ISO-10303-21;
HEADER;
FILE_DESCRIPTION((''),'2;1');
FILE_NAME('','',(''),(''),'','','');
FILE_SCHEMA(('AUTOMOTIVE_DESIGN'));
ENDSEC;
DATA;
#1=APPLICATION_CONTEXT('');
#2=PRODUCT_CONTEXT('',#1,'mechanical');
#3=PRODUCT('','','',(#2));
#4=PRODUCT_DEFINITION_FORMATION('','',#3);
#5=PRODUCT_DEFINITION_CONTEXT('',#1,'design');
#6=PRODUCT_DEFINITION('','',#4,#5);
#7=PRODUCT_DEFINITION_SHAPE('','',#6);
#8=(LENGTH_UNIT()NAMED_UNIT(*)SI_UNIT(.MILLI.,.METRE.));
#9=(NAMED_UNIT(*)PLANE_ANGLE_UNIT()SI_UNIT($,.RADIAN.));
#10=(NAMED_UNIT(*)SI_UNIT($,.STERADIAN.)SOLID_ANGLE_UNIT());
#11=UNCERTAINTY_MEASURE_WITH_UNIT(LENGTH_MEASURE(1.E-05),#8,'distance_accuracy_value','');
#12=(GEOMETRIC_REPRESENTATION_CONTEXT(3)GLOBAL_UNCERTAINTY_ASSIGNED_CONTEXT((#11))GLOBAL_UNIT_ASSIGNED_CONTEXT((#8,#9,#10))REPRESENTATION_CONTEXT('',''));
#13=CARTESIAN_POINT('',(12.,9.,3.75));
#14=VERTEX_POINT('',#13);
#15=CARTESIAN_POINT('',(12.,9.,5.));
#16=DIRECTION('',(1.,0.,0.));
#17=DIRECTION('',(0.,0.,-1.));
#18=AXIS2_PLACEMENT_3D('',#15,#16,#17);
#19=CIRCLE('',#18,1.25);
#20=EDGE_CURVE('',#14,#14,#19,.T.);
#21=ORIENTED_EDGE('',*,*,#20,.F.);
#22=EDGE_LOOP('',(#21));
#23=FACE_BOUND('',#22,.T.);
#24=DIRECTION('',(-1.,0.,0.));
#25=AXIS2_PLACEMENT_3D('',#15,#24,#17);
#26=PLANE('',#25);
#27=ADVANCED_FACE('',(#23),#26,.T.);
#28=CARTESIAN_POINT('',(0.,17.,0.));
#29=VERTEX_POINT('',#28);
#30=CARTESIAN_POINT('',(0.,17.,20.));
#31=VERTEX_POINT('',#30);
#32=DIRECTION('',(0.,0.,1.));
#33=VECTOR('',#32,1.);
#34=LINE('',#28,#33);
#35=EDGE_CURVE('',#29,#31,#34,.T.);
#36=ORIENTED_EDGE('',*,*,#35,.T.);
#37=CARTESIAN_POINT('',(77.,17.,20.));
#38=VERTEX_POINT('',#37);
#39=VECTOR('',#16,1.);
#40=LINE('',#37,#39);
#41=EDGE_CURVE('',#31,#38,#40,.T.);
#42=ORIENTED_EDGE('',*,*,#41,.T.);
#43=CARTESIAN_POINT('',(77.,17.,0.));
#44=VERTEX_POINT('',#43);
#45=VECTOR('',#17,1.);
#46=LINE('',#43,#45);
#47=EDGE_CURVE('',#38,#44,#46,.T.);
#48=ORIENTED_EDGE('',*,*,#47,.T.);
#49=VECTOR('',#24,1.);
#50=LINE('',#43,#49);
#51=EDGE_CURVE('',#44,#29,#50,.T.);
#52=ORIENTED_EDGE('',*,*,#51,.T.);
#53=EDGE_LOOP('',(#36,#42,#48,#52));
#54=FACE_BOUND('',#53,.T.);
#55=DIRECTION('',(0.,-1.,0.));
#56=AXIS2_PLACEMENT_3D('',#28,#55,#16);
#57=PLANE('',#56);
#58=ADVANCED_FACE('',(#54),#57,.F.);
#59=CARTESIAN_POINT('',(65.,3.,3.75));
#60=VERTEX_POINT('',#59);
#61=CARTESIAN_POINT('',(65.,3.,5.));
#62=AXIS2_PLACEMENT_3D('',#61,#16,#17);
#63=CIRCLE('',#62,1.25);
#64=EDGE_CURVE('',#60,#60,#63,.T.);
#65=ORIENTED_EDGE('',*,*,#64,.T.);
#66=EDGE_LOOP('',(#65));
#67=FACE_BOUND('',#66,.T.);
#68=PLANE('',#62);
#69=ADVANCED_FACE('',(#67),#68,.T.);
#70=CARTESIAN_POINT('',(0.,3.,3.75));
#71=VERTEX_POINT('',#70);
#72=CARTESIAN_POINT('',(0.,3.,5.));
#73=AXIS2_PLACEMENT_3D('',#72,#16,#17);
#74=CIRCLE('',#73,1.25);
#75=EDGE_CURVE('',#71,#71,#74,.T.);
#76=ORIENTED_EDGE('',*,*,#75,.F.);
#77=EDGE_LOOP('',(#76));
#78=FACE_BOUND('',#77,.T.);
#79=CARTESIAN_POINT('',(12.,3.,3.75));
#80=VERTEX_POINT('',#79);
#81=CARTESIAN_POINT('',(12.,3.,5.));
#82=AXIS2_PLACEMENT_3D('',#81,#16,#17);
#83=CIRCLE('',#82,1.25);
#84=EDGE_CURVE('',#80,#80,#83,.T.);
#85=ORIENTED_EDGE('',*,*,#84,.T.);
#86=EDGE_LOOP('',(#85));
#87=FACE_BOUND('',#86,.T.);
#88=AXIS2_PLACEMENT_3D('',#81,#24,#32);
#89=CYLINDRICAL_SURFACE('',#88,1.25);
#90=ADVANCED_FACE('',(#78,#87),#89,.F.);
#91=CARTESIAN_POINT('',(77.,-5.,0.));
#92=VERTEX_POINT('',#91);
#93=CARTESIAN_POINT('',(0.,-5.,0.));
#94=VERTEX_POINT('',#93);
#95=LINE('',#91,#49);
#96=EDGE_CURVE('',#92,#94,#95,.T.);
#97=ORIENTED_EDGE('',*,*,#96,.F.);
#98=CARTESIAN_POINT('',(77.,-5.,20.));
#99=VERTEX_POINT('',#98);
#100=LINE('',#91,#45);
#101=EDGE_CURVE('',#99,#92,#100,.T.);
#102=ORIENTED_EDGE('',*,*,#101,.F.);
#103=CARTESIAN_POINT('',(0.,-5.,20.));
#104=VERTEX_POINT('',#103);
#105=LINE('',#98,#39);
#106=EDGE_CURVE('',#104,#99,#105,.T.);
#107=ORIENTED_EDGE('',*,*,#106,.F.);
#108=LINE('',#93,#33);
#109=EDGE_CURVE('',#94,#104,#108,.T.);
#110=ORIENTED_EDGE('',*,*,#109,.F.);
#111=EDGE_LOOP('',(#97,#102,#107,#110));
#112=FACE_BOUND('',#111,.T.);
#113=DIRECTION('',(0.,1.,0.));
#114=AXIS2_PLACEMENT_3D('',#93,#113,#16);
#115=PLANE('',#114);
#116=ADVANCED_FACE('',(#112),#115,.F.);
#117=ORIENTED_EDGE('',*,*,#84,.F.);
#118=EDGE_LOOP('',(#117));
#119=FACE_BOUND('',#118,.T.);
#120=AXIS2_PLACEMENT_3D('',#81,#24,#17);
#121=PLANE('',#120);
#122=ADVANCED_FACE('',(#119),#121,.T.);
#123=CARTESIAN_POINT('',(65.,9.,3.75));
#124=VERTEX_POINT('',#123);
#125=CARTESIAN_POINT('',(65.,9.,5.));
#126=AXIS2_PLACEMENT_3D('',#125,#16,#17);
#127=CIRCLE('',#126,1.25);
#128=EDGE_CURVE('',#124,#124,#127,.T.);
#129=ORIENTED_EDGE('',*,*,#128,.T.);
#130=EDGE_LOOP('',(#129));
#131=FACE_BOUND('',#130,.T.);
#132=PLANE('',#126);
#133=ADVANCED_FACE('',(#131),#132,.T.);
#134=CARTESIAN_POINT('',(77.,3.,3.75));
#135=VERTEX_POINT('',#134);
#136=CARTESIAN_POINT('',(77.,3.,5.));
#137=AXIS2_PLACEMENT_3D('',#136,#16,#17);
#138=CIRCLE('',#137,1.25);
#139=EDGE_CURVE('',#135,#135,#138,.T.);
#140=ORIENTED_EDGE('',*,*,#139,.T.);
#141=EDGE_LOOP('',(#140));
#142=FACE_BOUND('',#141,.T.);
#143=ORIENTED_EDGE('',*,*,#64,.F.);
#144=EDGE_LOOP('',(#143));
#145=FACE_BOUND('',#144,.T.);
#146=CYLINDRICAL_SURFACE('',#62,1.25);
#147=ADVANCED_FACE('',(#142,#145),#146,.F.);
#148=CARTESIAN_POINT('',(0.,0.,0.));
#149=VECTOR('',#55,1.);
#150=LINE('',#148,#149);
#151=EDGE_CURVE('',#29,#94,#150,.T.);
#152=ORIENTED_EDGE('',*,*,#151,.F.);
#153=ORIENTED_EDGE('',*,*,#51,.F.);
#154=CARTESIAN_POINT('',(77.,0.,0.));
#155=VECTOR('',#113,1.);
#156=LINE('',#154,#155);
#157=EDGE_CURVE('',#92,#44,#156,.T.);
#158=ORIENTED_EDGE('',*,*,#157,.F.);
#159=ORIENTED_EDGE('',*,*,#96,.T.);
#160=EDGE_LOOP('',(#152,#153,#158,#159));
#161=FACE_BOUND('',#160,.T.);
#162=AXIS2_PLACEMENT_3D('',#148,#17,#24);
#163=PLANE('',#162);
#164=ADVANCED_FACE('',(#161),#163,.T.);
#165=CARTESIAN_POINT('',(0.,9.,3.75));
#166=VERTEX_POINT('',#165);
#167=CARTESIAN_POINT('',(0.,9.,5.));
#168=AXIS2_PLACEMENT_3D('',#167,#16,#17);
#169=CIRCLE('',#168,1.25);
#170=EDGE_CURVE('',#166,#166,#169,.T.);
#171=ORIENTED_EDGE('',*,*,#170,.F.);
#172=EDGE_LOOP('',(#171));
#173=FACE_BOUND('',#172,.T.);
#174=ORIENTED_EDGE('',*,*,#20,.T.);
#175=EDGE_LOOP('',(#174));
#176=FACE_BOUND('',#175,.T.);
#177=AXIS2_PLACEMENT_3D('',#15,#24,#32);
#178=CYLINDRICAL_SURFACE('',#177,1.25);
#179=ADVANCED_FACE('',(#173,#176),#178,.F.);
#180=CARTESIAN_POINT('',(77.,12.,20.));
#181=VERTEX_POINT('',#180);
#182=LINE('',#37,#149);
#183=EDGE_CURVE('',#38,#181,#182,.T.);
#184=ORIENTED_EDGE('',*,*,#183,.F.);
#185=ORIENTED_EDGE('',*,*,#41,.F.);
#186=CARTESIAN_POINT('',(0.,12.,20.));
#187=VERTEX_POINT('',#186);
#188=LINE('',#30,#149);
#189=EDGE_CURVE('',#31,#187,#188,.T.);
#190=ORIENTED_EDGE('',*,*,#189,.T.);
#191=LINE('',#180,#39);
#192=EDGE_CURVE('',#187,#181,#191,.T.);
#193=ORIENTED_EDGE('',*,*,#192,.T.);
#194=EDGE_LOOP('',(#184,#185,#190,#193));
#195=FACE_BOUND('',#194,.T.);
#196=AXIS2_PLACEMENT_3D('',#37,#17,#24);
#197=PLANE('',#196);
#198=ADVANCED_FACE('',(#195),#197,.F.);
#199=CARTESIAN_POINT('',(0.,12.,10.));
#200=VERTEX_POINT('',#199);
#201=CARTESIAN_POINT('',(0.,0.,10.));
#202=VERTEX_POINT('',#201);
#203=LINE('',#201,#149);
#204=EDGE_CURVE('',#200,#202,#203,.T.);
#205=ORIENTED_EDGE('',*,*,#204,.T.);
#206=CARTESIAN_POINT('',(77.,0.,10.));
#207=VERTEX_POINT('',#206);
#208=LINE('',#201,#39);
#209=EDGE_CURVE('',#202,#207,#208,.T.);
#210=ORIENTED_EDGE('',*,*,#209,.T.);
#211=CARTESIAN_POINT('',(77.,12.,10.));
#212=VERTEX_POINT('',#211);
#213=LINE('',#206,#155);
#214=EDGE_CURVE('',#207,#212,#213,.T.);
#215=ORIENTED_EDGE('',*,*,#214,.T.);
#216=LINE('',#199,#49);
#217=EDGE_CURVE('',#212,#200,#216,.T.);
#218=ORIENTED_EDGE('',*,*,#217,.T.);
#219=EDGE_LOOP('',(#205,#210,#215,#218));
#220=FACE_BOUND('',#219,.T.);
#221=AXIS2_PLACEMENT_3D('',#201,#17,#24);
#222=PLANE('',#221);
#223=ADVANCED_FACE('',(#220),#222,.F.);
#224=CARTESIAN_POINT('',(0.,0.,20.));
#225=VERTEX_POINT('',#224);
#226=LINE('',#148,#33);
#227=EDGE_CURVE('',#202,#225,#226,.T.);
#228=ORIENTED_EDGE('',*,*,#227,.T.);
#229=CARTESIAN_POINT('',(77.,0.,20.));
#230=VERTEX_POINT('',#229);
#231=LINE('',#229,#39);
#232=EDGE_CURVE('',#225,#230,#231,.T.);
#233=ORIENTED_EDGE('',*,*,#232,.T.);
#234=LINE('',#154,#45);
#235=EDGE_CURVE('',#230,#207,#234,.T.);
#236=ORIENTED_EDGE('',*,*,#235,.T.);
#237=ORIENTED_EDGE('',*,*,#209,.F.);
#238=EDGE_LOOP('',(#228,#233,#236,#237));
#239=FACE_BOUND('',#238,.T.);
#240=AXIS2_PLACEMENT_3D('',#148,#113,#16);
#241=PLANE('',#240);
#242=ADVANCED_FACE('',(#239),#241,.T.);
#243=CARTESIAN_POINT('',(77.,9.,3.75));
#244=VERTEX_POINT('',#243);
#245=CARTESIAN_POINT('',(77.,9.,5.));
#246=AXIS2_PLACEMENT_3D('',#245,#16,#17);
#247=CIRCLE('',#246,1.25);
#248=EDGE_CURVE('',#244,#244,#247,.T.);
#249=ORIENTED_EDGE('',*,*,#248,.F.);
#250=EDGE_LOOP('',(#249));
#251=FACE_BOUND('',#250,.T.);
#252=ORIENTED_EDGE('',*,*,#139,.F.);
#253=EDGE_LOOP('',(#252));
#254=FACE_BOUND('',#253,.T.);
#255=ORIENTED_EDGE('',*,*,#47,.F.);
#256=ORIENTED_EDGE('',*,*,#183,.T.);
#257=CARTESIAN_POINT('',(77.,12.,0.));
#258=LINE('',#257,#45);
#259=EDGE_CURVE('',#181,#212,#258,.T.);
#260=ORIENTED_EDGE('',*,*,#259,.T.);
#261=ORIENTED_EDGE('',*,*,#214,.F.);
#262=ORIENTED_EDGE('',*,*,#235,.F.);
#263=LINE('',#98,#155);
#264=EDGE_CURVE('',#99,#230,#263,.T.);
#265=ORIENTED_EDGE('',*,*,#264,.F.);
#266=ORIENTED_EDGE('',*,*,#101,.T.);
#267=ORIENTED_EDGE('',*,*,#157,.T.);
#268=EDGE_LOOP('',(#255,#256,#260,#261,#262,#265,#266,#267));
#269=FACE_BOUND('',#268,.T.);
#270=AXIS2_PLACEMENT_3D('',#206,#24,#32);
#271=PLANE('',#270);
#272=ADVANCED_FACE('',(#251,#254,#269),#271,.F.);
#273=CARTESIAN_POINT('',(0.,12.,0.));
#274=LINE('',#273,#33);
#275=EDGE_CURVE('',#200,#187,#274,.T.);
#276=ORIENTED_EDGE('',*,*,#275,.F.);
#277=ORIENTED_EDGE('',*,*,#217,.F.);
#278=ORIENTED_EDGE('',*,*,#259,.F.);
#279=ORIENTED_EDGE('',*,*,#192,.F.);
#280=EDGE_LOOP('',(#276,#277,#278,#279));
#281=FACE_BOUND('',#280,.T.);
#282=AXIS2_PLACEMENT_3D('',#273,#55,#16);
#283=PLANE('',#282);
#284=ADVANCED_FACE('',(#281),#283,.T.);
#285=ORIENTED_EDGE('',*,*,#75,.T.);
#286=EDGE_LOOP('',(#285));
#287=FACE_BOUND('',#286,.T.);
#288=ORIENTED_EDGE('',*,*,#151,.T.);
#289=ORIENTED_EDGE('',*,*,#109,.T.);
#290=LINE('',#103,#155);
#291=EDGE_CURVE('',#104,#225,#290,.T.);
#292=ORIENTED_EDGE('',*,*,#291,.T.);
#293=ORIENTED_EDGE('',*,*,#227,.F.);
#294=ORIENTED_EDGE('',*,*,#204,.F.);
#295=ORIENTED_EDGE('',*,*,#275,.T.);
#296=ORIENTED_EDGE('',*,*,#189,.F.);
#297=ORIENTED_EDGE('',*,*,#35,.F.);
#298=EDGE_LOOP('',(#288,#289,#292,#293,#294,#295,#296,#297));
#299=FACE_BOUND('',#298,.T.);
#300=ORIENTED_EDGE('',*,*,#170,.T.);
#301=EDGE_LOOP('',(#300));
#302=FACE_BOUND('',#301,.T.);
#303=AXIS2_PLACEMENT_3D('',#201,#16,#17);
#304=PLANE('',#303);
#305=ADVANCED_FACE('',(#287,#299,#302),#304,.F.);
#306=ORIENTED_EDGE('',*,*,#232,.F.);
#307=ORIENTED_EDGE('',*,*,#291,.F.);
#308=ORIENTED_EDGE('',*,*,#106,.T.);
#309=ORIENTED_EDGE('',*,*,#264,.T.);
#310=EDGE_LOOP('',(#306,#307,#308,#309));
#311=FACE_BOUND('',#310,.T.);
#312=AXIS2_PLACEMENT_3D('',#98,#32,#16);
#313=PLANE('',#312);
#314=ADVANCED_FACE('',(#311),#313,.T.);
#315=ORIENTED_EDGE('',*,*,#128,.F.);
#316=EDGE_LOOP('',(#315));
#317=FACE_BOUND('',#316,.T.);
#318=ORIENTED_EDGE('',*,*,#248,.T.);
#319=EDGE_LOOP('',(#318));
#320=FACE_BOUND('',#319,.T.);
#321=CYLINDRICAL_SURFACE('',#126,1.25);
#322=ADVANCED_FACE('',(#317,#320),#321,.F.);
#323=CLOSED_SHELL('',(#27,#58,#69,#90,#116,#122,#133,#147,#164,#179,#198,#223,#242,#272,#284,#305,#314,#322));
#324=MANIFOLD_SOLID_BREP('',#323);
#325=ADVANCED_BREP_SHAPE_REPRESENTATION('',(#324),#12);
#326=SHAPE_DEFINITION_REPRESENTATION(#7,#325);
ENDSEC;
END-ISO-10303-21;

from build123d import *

# Parameters (mm, degrees)
SKETCH1_W           = 77
SKETCH1_H           = 12
BOSS_EXTRUDE1_DEPTH = 10
SKETCH2_R           = 1.25
CUT_EXTRUDE1_DEPTH  = 12
SKETCH3_W           = 77
SKETCH3_H           = 20
BOSS_EXTRUDE2_DEPTH = 5


with BuildPart() as part:
    # Sketch1 → Boss-Extrude1 (new body)
    with BuildSketch(Plane.XY):
        with Locations((38.5, 6)):
            Rectangle(SKETCH1_W, SKETCH1_H)
    extrude(amount=BOSS_EXTRUDE1_DEPTH)

    # Sketch2 → Cut-Extrude1 (cut)
    with BuildSketch(Plane(origin=(77, 0, 0), x_dir=(0, 0, -1), z_dir=(1, 0, 0))):
        with Locations((-5, 3)):
            Circle(SKETCH2_R)
        with Locations((-5, 9)):
            Circle(SKETCH2_R)
    cut_extrude1 = extrude(amount=-CUT_EXTRUDE1_DEPTH, mode=Mode.SUBTRACT)

    # Mirror1: Cut-Extrude1 across plane
    add(cut_extrude1.mirror(Plane.ZY.offset(-38.5)), mode=Mode.SUBTRACT)

    # Sketch3 → Boss-Extrude2 (add)
    with BuildSketch(Plane(origin=(0, 12, 0), x_dir=(1, 0, 0), z_dir=(0, 1, 0))):
        with Locations((38.5, -10)):
            Rectangle(SKETCH3_W, SKETCH3_H)
    boss_extrude2 = extrude(amount=BOSS_EXTRUDE2_DEPTH)

    # Mirror2: Boss-Extrude2 across plane
    add(boss_extrude2.mirror(Plane(origin=(0, 6, 0), x_dir=(0, 0, 1), z_dir=(0, -1, 0))))


solid = part.part
